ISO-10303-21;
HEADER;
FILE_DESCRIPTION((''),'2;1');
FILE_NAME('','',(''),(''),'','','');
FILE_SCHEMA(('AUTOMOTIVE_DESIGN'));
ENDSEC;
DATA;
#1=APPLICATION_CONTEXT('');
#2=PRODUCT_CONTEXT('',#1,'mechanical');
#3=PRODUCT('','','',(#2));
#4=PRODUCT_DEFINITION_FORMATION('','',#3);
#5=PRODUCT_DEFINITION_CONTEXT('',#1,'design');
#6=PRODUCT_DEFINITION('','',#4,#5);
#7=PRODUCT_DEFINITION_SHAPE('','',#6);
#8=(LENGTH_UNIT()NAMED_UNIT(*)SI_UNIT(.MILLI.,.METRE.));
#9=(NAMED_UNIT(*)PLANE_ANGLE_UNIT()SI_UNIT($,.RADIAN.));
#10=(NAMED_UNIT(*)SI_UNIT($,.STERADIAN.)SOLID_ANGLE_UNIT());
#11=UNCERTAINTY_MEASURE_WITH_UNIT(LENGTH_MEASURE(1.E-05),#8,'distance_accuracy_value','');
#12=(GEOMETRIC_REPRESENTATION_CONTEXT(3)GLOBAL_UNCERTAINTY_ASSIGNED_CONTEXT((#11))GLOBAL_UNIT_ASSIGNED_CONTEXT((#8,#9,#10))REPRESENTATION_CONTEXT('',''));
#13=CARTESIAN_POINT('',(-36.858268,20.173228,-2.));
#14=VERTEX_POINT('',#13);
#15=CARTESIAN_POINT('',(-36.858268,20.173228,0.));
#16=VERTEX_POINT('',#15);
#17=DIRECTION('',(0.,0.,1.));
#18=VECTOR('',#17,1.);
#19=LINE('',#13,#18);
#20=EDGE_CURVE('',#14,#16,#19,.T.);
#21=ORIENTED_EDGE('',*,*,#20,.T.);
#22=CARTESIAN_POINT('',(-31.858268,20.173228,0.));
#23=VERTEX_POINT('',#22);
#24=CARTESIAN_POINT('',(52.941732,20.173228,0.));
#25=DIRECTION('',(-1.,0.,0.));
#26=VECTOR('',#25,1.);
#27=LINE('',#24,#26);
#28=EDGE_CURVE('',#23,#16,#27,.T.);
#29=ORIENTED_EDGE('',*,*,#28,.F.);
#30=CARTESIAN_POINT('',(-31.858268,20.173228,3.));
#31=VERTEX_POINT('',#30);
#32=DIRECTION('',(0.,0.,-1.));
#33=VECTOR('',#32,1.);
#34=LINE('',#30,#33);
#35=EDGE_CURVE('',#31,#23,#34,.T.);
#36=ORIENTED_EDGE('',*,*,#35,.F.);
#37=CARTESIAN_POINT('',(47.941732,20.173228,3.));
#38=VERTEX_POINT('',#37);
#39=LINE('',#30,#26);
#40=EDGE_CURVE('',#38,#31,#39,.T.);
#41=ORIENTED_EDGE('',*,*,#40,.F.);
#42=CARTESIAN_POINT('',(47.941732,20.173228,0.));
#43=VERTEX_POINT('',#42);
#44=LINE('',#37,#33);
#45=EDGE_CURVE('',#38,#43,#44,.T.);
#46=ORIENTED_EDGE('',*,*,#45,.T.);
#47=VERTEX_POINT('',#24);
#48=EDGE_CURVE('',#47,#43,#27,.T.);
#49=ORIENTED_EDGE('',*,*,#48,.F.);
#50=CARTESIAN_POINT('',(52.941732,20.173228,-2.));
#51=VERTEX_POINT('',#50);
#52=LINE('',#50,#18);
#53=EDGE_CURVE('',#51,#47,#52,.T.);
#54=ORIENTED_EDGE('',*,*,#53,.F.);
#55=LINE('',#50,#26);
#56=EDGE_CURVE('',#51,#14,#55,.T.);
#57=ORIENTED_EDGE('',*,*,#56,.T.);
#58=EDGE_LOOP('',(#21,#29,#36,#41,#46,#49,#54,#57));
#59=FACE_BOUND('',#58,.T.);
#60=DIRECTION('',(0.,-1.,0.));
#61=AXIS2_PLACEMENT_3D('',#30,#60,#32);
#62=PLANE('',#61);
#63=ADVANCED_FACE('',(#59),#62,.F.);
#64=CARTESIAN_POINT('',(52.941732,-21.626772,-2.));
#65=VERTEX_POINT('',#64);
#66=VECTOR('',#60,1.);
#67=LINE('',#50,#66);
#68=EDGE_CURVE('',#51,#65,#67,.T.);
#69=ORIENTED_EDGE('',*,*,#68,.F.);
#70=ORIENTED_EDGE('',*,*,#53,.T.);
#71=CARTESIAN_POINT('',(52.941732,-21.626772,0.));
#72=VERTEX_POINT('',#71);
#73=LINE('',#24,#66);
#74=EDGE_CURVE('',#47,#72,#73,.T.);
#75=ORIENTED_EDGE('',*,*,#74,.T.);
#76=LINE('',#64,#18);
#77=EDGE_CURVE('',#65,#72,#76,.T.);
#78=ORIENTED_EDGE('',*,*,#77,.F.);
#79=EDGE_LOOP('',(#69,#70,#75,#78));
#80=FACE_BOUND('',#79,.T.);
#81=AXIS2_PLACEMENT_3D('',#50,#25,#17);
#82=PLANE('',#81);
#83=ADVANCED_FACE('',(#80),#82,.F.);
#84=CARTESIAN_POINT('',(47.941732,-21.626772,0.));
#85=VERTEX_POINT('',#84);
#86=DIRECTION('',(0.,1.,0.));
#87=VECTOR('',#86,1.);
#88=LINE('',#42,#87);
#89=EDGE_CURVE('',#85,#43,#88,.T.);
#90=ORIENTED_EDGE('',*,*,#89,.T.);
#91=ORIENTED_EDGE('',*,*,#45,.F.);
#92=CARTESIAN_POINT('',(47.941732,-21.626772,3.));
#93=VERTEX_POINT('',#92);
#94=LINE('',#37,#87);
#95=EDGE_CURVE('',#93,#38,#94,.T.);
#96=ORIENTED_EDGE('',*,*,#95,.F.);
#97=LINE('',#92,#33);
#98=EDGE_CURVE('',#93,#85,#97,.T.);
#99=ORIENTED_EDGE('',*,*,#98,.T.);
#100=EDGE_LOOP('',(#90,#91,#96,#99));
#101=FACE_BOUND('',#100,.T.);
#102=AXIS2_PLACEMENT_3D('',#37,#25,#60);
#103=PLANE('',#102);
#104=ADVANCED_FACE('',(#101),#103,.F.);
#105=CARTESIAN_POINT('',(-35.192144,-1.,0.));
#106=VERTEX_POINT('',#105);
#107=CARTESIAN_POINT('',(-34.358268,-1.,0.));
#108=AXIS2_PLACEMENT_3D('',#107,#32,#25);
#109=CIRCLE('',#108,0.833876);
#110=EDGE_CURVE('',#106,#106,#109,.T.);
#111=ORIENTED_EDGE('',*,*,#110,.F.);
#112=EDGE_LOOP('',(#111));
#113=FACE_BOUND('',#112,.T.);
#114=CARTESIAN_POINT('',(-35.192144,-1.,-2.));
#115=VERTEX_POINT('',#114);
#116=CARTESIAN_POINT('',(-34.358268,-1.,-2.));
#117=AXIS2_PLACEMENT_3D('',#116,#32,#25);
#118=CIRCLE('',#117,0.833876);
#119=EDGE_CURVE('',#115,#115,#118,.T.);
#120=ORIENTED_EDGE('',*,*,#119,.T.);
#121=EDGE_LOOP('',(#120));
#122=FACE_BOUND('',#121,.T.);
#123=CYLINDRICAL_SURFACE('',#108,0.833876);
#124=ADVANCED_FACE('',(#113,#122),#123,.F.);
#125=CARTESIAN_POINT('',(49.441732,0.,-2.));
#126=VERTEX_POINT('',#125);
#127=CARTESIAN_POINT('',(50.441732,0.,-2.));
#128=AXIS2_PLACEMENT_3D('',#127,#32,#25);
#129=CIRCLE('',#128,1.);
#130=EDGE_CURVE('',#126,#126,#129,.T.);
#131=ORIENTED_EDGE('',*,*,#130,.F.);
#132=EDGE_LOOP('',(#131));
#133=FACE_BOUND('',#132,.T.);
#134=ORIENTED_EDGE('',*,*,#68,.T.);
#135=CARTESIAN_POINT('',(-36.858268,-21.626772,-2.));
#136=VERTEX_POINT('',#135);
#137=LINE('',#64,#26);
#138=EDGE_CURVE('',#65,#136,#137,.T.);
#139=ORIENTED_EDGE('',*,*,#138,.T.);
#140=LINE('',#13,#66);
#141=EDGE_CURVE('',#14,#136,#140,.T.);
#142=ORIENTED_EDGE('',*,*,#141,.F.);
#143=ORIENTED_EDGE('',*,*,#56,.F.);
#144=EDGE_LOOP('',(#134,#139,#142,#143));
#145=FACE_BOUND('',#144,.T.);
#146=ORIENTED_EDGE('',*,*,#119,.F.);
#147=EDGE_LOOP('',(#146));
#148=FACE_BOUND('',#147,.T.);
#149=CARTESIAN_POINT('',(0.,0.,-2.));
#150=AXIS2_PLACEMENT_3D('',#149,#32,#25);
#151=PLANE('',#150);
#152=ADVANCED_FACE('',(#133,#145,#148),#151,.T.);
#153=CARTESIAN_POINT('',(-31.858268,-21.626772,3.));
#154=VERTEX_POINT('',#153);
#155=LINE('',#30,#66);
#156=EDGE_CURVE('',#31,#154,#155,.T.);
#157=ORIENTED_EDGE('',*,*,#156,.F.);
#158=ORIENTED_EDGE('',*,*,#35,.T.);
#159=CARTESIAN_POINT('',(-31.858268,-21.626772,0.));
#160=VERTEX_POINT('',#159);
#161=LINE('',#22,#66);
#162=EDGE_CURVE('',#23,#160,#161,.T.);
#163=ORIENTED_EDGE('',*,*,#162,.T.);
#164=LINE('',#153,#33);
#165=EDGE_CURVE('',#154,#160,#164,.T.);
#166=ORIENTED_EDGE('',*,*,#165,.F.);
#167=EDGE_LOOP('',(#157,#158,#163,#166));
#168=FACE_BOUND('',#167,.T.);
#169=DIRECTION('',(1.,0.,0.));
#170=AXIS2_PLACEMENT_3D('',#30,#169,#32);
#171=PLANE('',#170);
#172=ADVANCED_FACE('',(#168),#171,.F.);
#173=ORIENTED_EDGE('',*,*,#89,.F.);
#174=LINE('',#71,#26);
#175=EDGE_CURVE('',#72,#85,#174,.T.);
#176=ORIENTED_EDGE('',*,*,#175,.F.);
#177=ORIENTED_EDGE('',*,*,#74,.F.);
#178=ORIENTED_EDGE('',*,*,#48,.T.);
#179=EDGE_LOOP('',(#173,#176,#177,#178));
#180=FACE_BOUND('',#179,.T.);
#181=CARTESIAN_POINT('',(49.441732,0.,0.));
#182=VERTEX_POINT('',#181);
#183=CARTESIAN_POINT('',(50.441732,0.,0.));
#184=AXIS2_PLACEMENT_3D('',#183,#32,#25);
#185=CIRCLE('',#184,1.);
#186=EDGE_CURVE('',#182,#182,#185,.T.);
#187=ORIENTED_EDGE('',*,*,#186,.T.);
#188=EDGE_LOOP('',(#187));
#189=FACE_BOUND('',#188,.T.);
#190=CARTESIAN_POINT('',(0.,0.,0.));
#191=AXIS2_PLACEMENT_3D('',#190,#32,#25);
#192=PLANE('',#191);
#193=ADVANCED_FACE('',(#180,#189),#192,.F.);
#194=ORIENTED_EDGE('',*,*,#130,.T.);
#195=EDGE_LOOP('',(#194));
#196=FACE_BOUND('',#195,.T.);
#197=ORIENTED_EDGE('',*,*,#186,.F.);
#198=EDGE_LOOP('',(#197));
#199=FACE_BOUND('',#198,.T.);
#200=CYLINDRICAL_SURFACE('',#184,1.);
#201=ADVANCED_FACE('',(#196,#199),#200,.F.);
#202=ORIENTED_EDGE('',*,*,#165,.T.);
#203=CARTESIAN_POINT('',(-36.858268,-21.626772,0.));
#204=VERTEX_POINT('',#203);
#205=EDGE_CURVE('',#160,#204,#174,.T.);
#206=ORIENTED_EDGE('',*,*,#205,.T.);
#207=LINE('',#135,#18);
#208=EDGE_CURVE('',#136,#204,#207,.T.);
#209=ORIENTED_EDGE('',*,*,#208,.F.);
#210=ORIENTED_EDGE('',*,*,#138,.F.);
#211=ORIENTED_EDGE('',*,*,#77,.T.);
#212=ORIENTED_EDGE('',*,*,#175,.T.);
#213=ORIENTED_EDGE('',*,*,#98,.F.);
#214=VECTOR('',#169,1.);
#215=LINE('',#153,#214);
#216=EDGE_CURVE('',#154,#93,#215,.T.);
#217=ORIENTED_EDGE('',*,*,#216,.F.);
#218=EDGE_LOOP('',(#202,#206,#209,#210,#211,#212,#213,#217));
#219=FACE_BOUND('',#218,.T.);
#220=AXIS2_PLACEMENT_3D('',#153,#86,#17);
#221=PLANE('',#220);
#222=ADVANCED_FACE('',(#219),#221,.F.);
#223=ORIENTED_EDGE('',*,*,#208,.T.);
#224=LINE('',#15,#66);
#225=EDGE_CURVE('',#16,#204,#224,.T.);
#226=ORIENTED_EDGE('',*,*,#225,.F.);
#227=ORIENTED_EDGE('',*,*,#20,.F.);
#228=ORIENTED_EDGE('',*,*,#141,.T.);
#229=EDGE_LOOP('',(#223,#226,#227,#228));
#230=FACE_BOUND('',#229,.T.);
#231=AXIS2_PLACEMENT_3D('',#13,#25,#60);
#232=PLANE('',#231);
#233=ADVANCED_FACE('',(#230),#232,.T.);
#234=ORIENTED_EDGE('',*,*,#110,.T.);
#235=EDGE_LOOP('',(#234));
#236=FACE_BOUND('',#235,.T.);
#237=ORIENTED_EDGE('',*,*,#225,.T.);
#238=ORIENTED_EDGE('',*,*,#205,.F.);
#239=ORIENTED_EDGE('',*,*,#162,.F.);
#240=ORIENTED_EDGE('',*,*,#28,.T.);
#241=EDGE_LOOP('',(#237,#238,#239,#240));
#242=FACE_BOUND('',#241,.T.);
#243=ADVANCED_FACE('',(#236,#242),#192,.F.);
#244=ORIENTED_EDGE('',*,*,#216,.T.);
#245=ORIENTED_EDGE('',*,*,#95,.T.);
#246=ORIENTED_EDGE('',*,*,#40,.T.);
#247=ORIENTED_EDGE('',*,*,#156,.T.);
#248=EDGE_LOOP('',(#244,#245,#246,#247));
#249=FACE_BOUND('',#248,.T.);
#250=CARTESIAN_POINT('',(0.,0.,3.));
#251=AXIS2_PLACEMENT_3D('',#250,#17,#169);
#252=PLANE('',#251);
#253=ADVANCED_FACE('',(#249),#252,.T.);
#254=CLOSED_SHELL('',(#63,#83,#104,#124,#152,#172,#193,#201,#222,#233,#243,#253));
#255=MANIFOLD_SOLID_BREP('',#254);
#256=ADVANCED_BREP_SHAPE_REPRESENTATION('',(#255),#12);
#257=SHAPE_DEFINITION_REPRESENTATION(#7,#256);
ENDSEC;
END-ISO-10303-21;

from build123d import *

# Parameters (mm, degrees)
SKETCH1_W           = 79.8
SKETCH1_H           = 41.8
BOSS_EXTRUDE1_DEPTH = 3
SKETCH2_W           = 89.8
SKETCH2_H           = 41.8
BOSS_EXTRUDE4_DEPTH = 2
SKETCH3_R           = 1
SKETCH3_R_2         = 0.833875984
CUT_EXTRUDE1_DEPTH  = 2


with BuildPart() as part:
    # Sketch1 → Boss-Extrude1 (new body)
    with BuildSketch(Plane.XY):
        with Locations((8.041732283, -0.726771654)):
            Rectangle(SKETCH1_W, SKETCH1_H)
    extrude(amount=BOSS_EXTRUDE1_DEPTH)

    # Sketch2 → Boss-Extrude4 (add)
    with BuildSketch(Plane(origin=(0, 0, 0), x_dir=(-1, 0, 0), z_dir=(0, 0, -1))):
        with Locations((-8.041732283, -0.726771654)):
            Rectangle(SKETCH2_W, SKETCH2_H)
    extrude(amount=BOSS_EXTRUDE4_DEPTH)

    # Sketch3 → Cut-Extrude1 (cut)
    with BuildSketch(Plane(origin=(0, 0, -2), x_dir=(-1, 0, 0), z_dir=(0, 0, -1))):
        with Locations((-50.441732283, 0)):
            Circle(SKETCH3_R)
        with Locations((34.358267717, -1)):
            Circle(SKETCH3_R_2)
    extrude(amount=-CUT_EXTRUDE1_DEPTH, mode=Mode.SUBTRACT)


solid = part.part
